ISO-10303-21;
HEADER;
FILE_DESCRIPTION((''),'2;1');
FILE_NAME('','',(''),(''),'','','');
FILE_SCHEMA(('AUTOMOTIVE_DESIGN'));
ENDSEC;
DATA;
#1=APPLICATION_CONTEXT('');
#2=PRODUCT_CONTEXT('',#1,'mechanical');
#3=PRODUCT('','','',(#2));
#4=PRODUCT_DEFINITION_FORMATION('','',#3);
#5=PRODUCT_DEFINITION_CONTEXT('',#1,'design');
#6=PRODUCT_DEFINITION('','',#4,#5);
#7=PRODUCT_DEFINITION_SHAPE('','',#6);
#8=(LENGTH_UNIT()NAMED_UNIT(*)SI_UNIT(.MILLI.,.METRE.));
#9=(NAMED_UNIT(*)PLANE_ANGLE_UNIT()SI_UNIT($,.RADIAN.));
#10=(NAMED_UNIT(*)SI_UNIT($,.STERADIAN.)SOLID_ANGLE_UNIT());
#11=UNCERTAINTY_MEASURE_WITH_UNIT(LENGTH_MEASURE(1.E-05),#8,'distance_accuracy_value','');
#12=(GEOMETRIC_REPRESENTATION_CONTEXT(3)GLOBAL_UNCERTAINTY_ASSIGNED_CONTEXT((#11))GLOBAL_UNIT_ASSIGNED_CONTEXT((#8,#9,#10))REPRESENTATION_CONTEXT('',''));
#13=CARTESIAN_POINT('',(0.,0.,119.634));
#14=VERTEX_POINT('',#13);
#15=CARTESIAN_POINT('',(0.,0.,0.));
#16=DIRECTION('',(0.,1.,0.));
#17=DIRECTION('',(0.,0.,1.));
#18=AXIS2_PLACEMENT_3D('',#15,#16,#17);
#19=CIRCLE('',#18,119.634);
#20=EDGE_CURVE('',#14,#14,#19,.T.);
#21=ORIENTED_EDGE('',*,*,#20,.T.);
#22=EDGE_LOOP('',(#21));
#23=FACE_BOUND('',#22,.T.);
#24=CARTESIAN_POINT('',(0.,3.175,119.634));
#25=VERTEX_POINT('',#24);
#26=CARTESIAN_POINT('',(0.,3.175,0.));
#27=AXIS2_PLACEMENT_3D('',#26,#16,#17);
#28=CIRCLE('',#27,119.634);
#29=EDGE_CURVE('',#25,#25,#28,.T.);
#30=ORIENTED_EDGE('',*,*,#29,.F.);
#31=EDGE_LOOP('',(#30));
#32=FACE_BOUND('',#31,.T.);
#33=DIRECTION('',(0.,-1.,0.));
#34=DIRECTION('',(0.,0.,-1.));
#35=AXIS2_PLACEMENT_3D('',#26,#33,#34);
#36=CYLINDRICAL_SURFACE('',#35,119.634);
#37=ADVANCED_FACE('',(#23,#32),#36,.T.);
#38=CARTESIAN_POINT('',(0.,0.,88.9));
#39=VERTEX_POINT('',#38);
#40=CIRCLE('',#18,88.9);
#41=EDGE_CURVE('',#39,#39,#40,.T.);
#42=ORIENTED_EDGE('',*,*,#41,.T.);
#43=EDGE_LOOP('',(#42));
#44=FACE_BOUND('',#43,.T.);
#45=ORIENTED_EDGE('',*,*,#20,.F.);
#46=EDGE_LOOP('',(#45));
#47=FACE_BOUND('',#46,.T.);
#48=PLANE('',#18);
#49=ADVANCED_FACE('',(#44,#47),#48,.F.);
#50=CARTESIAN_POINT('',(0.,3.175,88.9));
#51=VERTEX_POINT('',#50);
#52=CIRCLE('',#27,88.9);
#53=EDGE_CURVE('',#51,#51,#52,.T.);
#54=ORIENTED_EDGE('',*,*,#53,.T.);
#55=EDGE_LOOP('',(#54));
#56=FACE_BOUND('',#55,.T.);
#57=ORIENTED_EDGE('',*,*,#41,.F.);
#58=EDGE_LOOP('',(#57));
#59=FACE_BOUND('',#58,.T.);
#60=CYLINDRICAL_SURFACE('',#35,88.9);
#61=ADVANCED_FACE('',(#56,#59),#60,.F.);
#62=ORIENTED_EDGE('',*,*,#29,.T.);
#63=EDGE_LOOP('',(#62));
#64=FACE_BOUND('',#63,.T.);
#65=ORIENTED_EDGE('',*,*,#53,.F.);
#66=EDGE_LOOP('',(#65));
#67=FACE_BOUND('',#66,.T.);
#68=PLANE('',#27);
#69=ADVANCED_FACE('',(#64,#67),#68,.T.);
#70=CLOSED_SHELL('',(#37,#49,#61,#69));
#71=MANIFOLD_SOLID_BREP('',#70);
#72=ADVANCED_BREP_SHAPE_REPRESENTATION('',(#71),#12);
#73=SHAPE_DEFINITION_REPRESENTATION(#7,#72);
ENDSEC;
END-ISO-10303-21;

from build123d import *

# Parameters (mm, degrees)
SKETCH1_R           = 119.634
SKETCH1_R_2         = 88.9
BOSS_EXTRUDE1_DEPTH = 3.175


with BuildPart() as part:
    # Sketch1 → Boss-Extrude1 (new body)
    with BuildSketch(Plane(origin=(0, 0, 0), x_dir=(1, 0, 0), z_dir=(0, 1, 0))):
        Circle(SKETCH1_R)
        Circle(SKETCH1_R_2, mode=Mode.SUBTRACT)
    extrude(amount=BOSS_EXTRUDE1_DEPTH)


solid = part.part
